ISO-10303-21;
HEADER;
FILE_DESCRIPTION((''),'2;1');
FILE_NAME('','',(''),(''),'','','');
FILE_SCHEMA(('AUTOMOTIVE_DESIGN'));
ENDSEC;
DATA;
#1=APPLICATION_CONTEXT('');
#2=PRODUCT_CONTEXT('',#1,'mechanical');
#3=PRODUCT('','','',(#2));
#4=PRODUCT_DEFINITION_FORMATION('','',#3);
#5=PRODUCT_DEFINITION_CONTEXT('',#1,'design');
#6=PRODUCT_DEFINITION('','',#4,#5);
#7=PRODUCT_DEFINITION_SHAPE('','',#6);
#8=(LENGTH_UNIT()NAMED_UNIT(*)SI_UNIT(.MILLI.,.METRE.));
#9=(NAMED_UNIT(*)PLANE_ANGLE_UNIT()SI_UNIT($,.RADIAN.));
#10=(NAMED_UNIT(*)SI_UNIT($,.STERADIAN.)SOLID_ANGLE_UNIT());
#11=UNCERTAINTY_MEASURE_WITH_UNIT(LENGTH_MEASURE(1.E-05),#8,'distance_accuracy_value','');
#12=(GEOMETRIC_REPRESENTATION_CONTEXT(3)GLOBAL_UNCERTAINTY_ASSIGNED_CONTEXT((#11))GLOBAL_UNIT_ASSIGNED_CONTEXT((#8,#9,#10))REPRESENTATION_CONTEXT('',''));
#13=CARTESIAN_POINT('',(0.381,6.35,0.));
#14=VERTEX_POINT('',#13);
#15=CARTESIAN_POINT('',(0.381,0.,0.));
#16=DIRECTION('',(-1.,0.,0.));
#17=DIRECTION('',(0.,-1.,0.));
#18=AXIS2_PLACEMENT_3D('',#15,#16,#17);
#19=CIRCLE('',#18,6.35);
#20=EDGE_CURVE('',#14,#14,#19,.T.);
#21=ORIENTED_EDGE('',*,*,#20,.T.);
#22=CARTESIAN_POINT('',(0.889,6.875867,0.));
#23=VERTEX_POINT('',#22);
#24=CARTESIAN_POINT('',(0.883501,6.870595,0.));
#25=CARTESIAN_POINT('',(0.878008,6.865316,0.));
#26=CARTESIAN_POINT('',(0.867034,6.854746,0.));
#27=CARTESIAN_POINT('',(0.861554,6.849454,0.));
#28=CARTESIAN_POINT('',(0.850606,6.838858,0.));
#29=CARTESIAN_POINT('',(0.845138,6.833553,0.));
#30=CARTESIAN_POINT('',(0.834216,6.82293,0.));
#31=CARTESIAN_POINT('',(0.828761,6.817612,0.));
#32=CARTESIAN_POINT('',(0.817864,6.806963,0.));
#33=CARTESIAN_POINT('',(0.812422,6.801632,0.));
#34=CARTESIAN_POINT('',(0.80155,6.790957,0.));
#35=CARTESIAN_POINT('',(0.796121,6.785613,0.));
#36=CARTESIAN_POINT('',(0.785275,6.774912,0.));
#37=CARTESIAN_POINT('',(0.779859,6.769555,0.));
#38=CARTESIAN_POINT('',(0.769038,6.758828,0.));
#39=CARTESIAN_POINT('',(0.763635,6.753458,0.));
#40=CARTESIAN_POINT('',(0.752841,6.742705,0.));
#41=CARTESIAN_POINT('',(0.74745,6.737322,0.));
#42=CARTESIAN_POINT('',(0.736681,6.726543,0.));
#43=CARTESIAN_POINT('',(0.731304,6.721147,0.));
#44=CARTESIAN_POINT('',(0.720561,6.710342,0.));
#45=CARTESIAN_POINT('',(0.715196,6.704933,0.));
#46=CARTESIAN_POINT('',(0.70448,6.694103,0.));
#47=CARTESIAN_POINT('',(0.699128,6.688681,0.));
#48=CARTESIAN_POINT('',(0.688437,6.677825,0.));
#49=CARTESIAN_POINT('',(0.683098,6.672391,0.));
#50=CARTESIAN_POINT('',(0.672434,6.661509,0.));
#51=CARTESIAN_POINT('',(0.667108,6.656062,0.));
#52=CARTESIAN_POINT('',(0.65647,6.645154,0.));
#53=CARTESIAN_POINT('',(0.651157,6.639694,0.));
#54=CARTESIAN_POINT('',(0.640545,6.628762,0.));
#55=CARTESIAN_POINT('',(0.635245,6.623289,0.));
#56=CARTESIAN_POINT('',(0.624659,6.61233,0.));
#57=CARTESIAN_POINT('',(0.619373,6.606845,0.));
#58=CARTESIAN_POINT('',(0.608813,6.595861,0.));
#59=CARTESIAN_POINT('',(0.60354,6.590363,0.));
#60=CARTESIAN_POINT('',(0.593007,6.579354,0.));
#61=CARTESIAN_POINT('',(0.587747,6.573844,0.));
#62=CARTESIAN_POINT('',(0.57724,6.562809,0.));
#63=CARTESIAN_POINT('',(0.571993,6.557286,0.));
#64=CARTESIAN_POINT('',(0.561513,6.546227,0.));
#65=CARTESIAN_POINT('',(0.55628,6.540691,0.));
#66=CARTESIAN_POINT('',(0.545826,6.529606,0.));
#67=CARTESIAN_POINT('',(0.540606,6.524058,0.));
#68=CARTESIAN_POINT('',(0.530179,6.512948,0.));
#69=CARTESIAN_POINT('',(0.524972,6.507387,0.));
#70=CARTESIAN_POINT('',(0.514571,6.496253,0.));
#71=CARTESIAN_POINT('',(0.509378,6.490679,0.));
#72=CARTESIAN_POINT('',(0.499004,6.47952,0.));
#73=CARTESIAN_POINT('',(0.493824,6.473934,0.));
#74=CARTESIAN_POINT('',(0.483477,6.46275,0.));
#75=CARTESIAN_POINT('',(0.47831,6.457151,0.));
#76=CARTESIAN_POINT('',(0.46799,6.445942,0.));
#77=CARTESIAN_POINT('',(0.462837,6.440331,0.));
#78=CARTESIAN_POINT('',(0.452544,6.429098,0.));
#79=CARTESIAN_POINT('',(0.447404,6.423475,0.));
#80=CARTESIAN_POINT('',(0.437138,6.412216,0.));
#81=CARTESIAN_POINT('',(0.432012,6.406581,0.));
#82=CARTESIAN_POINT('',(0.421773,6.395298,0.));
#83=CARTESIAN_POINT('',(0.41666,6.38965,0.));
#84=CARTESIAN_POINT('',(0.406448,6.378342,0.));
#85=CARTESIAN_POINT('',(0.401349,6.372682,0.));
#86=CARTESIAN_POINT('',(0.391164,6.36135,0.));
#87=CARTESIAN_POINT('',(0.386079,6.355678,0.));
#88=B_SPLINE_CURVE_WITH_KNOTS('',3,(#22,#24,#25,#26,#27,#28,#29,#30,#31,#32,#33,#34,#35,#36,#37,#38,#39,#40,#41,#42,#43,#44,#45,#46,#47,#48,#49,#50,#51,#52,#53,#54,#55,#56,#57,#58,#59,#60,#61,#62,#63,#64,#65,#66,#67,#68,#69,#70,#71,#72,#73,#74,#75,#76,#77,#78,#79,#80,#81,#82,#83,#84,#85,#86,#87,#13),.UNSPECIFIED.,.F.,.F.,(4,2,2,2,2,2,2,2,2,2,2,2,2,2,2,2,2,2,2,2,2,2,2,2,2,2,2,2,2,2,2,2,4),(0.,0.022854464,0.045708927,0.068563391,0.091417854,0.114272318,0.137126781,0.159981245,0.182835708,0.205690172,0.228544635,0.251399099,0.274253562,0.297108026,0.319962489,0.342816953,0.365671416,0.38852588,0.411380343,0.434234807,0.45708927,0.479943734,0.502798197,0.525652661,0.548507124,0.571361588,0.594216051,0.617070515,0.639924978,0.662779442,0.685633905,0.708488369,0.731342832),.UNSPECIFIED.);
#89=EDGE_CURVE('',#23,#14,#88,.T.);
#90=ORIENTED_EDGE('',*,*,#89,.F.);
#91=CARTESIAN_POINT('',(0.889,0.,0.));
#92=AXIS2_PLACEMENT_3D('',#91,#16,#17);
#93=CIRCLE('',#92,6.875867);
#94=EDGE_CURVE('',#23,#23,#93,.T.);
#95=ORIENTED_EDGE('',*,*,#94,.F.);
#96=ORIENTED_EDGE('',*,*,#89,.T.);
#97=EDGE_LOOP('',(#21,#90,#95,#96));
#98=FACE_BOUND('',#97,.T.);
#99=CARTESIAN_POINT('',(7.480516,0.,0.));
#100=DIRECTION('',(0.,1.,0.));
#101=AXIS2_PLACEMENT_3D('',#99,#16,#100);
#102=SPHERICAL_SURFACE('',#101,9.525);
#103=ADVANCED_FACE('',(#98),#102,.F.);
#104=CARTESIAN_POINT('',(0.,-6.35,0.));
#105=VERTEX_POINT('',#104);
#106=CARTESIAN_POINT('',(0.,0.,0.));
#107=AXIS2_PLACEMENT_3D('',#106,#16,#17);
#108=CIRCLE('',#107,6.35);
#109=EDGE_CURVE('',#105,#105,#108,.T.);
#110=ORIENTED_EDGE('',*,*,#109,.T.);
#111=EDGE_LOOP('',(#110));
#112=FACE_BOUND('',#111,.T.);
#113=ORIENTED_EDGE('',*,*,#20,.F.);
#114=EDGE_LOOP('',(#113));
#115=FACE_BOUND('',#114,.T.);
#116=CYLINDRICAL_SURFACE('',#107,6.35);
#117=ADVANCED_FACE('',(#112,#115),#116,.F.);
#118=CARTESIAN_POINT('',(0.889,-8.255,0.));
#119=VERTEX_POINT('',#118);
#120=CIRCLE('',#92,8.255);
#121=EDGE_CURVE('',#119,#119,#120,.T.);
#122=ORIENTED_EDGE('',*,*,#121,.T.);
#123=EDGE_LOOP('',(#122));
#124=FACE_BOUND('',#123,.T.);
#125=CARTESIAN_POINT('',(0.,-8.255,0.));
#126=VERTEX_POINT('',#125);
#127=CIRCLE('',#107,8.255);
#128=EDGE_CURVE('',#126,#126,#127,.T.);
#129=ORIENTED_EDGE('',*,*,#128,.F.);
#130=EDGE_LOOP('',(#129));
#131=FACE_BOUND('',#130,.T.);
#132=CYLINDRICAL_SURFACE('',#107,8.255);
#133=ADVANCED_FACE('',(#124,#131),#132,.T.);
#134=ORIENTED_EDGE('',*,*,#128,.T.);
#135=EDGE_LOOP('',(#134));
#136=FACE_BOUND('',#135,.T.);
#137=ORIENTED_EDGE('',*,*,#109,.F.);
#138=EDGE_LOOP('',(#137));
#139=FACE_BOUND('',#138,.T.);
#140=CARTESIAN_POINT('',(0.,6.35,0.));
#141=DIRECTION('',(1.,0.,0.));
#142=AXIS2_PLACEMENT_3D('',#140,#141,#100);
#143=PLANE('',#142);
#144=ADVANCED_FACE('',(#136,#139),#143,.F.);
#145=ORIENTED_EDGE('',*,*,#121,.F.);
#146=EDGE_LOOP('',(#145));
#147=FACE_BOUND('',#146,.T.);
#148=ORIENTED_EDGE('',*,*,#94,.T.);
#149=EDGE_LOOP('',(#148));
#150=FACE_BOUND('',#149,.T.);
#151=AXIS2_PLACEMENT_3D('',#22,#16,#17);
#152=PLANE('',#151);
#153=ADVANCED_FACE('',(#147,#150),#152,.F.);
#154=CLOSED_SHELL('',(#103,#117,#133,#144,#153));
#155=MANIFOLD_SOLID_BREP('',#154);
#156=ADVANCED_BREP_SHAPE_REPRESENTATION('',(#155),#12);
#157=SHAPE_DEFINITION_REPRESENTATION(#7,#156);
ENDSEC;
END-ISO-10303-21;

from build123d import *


with BuildPart() as part:
    # Sketch1 → Revolve1 (revolve)
    with BuildSketch(Plane.XY, mode=Mode.PRIVATE) as revolve1_sk:
        with BuildLine():
            Line((0.381, 6.35), (0, 6.35))
            Line((0, 6.35), (0, 8.255))
            Line((0, 8.255), (0.889, 8.255))
            Line((0.889, 8.255), (0.889, 6.875866788))
            ThreePointArc((0.889, 6.875866788), (0.62995228, 6.617809613), (0.381, 6.35))
        make_face()
    revolve(revolve1_sk.sketch.rotate(Axis((0, 0, 0), (1, 0, 0)), 180), axis=Axis((0, 0, 0), (1, 0, 0)))


solid = part.part
